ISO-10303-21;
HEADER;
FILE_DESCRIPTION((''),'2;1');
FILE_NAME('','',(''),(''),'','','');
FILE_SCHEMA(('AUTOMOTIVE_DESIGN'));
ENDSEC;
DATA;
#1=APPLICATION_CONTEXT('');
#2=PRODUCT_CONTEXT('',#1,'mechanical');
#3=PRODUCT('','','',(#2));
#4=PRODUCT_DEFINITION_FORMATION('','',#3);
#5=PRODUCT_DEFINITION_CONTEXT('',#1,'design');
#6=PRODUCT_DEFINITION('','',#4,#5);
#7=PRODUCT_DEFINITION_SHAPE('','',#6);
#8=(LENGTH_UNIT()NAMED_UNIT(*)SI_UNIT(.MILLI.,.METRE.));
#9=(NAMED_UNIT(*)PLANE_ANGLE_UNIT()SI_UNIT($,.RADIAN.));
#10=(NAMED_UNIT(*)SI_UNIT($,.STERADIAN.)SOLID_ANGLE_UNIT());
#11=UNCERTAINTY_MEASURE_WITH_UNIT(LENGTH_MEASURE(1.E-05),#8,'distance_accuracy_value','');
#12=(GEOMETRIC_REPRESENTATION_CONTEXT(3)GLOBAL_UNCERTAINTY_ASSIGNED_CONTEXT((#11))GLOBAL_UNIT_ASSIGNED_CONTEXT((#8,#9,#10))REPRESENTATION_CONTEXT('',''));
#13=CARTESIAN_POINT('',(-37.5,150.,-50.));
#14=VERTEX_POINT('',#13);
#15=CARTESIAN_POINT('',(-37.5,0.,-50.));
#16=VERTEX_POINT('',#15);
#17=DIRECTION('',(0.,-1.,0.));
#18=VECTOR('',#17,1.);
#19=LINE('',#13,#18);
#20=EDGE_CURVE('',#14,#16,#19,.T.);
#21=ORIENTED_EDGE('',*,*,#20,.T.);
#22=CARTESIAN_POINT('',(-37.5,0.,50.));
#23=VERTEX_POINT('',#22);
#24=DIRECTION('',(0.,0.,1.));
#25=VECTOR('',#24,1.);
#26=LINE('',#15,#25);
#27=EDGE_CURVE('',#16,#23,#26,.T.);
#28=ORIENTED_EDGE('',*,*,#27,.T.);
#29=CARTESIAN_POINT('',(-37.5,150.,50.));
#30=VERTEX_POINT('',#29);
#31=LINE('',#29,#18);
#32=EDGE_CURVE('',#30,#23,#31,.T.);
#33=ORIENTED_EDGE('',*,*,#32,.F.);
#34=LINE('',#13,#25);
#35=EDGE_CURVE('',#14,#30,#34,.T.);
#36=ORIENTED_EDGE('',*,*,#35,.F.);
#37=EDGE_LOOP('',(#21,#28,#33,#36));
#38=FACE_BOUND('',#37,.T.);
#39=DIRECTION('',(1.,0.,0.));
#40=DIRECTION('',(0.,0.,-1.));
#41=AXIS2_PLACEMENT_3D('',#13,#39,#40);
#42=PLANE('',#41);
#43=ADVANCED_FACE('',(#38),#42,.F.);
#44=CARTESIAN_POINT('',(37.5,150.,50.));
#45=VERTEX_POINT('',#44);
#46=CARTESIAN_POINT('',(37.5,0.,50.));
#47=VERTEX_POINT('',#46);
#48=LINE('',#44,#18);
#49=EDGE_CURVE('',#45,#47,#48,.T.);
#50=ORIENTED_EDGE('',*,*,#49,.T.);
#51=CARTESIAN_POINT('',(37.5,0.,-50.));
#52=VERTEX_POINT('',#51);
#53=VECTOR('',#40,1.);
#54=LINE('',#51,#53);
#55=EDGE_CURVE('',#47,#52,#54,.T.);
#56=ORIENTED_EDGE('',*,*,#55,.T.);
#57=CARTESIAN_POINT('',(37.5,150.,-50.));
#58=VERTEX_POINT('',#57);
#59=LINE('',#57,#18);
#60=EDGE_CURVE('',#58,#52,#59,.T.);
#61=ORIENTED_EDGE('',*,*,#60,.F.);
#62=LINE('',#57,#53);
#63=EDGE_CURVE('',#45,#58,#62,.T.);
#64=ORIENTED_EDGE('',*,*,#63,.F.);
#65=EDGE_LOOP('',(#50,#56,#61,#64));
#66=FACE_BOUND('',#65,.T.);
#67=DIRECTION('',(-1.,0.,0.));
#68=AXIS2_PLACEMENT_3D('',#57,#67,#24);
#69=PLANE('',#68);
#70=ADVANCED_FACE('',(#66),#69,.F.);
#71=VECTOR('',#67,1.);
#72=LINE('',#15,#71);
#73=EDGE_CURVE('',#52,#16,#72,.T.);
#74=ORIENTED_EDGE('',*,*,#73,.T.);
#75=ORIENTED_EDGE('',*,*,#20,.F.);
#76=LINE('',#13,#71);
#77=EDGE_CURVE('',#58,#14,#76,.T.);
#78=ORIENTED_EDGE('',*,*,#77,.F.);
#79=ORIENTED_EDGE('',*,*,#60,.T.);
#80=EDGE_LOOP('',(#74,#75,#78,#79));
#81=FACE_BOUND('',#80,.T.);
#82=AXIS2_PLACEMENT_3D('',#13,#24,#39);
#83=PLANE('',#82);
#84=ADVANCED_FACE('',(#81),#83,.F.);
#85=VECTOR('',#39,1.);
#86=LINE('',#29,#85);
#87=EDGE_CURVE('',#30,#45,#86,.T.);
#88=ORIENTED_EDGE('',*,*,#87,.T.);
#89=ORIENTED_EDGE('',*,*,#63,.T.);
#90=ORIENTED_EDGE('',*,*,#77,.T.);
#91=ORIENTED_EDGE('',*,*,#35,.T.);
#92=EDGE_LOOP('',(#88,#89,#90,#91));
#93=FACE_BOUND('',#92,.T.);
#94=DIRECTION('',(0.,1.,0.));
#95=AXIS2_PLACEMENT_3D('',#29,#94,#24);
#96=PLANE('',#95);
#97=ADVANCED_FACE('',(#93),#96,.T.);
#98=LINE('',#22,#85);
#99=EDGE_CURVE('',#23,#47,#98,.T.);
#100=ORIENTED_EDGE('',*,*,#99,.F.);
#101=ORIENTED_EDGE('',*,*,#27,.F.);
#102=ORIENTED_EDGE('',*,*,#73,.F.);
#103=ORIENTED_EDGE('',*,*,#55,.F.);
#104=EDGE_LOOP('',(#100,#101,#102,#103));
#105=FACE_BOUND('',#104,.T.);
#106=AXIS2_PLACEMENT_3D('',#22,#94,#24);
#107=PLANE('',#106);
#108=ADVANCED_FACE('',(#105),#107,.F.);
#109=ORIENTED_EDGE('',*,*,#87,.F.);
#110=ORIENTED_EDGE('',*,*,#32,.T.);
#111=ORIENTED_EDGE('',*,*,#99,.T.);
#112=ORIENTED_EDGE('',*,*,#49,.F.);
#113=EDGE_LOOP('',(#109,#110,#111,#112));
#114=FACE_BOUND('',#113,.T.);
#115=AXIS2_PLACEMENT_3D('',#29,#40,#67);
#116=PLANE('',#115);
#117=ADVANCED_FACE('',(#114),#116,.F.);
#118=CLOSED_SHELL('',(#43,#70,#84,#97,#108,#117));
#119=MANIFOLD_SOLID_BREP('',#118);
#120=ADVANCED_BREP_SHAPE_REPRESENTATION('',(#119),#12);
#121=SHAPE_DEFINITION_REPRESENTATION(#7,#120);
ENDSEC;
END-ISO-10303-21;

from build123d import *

# Parameters (mm, degrees)
SKETCH1_W      = 75
SKETCH1_H      = 100
EXTRUDE1_DEPTH = 150


with BuildPart() as part:
    # Sketch1 → Extrude1 (new body)
    with BuildSketch(Plane(origin=(0, 0, 0), x_dir=(1, 0, 0), z_dir=(0, 1, 0))):
        Rectangle(SKETCH1_W, SKETCH1_H)
    extrude(amount=EXTRUDE1_DEPTH)


solid = part.part
